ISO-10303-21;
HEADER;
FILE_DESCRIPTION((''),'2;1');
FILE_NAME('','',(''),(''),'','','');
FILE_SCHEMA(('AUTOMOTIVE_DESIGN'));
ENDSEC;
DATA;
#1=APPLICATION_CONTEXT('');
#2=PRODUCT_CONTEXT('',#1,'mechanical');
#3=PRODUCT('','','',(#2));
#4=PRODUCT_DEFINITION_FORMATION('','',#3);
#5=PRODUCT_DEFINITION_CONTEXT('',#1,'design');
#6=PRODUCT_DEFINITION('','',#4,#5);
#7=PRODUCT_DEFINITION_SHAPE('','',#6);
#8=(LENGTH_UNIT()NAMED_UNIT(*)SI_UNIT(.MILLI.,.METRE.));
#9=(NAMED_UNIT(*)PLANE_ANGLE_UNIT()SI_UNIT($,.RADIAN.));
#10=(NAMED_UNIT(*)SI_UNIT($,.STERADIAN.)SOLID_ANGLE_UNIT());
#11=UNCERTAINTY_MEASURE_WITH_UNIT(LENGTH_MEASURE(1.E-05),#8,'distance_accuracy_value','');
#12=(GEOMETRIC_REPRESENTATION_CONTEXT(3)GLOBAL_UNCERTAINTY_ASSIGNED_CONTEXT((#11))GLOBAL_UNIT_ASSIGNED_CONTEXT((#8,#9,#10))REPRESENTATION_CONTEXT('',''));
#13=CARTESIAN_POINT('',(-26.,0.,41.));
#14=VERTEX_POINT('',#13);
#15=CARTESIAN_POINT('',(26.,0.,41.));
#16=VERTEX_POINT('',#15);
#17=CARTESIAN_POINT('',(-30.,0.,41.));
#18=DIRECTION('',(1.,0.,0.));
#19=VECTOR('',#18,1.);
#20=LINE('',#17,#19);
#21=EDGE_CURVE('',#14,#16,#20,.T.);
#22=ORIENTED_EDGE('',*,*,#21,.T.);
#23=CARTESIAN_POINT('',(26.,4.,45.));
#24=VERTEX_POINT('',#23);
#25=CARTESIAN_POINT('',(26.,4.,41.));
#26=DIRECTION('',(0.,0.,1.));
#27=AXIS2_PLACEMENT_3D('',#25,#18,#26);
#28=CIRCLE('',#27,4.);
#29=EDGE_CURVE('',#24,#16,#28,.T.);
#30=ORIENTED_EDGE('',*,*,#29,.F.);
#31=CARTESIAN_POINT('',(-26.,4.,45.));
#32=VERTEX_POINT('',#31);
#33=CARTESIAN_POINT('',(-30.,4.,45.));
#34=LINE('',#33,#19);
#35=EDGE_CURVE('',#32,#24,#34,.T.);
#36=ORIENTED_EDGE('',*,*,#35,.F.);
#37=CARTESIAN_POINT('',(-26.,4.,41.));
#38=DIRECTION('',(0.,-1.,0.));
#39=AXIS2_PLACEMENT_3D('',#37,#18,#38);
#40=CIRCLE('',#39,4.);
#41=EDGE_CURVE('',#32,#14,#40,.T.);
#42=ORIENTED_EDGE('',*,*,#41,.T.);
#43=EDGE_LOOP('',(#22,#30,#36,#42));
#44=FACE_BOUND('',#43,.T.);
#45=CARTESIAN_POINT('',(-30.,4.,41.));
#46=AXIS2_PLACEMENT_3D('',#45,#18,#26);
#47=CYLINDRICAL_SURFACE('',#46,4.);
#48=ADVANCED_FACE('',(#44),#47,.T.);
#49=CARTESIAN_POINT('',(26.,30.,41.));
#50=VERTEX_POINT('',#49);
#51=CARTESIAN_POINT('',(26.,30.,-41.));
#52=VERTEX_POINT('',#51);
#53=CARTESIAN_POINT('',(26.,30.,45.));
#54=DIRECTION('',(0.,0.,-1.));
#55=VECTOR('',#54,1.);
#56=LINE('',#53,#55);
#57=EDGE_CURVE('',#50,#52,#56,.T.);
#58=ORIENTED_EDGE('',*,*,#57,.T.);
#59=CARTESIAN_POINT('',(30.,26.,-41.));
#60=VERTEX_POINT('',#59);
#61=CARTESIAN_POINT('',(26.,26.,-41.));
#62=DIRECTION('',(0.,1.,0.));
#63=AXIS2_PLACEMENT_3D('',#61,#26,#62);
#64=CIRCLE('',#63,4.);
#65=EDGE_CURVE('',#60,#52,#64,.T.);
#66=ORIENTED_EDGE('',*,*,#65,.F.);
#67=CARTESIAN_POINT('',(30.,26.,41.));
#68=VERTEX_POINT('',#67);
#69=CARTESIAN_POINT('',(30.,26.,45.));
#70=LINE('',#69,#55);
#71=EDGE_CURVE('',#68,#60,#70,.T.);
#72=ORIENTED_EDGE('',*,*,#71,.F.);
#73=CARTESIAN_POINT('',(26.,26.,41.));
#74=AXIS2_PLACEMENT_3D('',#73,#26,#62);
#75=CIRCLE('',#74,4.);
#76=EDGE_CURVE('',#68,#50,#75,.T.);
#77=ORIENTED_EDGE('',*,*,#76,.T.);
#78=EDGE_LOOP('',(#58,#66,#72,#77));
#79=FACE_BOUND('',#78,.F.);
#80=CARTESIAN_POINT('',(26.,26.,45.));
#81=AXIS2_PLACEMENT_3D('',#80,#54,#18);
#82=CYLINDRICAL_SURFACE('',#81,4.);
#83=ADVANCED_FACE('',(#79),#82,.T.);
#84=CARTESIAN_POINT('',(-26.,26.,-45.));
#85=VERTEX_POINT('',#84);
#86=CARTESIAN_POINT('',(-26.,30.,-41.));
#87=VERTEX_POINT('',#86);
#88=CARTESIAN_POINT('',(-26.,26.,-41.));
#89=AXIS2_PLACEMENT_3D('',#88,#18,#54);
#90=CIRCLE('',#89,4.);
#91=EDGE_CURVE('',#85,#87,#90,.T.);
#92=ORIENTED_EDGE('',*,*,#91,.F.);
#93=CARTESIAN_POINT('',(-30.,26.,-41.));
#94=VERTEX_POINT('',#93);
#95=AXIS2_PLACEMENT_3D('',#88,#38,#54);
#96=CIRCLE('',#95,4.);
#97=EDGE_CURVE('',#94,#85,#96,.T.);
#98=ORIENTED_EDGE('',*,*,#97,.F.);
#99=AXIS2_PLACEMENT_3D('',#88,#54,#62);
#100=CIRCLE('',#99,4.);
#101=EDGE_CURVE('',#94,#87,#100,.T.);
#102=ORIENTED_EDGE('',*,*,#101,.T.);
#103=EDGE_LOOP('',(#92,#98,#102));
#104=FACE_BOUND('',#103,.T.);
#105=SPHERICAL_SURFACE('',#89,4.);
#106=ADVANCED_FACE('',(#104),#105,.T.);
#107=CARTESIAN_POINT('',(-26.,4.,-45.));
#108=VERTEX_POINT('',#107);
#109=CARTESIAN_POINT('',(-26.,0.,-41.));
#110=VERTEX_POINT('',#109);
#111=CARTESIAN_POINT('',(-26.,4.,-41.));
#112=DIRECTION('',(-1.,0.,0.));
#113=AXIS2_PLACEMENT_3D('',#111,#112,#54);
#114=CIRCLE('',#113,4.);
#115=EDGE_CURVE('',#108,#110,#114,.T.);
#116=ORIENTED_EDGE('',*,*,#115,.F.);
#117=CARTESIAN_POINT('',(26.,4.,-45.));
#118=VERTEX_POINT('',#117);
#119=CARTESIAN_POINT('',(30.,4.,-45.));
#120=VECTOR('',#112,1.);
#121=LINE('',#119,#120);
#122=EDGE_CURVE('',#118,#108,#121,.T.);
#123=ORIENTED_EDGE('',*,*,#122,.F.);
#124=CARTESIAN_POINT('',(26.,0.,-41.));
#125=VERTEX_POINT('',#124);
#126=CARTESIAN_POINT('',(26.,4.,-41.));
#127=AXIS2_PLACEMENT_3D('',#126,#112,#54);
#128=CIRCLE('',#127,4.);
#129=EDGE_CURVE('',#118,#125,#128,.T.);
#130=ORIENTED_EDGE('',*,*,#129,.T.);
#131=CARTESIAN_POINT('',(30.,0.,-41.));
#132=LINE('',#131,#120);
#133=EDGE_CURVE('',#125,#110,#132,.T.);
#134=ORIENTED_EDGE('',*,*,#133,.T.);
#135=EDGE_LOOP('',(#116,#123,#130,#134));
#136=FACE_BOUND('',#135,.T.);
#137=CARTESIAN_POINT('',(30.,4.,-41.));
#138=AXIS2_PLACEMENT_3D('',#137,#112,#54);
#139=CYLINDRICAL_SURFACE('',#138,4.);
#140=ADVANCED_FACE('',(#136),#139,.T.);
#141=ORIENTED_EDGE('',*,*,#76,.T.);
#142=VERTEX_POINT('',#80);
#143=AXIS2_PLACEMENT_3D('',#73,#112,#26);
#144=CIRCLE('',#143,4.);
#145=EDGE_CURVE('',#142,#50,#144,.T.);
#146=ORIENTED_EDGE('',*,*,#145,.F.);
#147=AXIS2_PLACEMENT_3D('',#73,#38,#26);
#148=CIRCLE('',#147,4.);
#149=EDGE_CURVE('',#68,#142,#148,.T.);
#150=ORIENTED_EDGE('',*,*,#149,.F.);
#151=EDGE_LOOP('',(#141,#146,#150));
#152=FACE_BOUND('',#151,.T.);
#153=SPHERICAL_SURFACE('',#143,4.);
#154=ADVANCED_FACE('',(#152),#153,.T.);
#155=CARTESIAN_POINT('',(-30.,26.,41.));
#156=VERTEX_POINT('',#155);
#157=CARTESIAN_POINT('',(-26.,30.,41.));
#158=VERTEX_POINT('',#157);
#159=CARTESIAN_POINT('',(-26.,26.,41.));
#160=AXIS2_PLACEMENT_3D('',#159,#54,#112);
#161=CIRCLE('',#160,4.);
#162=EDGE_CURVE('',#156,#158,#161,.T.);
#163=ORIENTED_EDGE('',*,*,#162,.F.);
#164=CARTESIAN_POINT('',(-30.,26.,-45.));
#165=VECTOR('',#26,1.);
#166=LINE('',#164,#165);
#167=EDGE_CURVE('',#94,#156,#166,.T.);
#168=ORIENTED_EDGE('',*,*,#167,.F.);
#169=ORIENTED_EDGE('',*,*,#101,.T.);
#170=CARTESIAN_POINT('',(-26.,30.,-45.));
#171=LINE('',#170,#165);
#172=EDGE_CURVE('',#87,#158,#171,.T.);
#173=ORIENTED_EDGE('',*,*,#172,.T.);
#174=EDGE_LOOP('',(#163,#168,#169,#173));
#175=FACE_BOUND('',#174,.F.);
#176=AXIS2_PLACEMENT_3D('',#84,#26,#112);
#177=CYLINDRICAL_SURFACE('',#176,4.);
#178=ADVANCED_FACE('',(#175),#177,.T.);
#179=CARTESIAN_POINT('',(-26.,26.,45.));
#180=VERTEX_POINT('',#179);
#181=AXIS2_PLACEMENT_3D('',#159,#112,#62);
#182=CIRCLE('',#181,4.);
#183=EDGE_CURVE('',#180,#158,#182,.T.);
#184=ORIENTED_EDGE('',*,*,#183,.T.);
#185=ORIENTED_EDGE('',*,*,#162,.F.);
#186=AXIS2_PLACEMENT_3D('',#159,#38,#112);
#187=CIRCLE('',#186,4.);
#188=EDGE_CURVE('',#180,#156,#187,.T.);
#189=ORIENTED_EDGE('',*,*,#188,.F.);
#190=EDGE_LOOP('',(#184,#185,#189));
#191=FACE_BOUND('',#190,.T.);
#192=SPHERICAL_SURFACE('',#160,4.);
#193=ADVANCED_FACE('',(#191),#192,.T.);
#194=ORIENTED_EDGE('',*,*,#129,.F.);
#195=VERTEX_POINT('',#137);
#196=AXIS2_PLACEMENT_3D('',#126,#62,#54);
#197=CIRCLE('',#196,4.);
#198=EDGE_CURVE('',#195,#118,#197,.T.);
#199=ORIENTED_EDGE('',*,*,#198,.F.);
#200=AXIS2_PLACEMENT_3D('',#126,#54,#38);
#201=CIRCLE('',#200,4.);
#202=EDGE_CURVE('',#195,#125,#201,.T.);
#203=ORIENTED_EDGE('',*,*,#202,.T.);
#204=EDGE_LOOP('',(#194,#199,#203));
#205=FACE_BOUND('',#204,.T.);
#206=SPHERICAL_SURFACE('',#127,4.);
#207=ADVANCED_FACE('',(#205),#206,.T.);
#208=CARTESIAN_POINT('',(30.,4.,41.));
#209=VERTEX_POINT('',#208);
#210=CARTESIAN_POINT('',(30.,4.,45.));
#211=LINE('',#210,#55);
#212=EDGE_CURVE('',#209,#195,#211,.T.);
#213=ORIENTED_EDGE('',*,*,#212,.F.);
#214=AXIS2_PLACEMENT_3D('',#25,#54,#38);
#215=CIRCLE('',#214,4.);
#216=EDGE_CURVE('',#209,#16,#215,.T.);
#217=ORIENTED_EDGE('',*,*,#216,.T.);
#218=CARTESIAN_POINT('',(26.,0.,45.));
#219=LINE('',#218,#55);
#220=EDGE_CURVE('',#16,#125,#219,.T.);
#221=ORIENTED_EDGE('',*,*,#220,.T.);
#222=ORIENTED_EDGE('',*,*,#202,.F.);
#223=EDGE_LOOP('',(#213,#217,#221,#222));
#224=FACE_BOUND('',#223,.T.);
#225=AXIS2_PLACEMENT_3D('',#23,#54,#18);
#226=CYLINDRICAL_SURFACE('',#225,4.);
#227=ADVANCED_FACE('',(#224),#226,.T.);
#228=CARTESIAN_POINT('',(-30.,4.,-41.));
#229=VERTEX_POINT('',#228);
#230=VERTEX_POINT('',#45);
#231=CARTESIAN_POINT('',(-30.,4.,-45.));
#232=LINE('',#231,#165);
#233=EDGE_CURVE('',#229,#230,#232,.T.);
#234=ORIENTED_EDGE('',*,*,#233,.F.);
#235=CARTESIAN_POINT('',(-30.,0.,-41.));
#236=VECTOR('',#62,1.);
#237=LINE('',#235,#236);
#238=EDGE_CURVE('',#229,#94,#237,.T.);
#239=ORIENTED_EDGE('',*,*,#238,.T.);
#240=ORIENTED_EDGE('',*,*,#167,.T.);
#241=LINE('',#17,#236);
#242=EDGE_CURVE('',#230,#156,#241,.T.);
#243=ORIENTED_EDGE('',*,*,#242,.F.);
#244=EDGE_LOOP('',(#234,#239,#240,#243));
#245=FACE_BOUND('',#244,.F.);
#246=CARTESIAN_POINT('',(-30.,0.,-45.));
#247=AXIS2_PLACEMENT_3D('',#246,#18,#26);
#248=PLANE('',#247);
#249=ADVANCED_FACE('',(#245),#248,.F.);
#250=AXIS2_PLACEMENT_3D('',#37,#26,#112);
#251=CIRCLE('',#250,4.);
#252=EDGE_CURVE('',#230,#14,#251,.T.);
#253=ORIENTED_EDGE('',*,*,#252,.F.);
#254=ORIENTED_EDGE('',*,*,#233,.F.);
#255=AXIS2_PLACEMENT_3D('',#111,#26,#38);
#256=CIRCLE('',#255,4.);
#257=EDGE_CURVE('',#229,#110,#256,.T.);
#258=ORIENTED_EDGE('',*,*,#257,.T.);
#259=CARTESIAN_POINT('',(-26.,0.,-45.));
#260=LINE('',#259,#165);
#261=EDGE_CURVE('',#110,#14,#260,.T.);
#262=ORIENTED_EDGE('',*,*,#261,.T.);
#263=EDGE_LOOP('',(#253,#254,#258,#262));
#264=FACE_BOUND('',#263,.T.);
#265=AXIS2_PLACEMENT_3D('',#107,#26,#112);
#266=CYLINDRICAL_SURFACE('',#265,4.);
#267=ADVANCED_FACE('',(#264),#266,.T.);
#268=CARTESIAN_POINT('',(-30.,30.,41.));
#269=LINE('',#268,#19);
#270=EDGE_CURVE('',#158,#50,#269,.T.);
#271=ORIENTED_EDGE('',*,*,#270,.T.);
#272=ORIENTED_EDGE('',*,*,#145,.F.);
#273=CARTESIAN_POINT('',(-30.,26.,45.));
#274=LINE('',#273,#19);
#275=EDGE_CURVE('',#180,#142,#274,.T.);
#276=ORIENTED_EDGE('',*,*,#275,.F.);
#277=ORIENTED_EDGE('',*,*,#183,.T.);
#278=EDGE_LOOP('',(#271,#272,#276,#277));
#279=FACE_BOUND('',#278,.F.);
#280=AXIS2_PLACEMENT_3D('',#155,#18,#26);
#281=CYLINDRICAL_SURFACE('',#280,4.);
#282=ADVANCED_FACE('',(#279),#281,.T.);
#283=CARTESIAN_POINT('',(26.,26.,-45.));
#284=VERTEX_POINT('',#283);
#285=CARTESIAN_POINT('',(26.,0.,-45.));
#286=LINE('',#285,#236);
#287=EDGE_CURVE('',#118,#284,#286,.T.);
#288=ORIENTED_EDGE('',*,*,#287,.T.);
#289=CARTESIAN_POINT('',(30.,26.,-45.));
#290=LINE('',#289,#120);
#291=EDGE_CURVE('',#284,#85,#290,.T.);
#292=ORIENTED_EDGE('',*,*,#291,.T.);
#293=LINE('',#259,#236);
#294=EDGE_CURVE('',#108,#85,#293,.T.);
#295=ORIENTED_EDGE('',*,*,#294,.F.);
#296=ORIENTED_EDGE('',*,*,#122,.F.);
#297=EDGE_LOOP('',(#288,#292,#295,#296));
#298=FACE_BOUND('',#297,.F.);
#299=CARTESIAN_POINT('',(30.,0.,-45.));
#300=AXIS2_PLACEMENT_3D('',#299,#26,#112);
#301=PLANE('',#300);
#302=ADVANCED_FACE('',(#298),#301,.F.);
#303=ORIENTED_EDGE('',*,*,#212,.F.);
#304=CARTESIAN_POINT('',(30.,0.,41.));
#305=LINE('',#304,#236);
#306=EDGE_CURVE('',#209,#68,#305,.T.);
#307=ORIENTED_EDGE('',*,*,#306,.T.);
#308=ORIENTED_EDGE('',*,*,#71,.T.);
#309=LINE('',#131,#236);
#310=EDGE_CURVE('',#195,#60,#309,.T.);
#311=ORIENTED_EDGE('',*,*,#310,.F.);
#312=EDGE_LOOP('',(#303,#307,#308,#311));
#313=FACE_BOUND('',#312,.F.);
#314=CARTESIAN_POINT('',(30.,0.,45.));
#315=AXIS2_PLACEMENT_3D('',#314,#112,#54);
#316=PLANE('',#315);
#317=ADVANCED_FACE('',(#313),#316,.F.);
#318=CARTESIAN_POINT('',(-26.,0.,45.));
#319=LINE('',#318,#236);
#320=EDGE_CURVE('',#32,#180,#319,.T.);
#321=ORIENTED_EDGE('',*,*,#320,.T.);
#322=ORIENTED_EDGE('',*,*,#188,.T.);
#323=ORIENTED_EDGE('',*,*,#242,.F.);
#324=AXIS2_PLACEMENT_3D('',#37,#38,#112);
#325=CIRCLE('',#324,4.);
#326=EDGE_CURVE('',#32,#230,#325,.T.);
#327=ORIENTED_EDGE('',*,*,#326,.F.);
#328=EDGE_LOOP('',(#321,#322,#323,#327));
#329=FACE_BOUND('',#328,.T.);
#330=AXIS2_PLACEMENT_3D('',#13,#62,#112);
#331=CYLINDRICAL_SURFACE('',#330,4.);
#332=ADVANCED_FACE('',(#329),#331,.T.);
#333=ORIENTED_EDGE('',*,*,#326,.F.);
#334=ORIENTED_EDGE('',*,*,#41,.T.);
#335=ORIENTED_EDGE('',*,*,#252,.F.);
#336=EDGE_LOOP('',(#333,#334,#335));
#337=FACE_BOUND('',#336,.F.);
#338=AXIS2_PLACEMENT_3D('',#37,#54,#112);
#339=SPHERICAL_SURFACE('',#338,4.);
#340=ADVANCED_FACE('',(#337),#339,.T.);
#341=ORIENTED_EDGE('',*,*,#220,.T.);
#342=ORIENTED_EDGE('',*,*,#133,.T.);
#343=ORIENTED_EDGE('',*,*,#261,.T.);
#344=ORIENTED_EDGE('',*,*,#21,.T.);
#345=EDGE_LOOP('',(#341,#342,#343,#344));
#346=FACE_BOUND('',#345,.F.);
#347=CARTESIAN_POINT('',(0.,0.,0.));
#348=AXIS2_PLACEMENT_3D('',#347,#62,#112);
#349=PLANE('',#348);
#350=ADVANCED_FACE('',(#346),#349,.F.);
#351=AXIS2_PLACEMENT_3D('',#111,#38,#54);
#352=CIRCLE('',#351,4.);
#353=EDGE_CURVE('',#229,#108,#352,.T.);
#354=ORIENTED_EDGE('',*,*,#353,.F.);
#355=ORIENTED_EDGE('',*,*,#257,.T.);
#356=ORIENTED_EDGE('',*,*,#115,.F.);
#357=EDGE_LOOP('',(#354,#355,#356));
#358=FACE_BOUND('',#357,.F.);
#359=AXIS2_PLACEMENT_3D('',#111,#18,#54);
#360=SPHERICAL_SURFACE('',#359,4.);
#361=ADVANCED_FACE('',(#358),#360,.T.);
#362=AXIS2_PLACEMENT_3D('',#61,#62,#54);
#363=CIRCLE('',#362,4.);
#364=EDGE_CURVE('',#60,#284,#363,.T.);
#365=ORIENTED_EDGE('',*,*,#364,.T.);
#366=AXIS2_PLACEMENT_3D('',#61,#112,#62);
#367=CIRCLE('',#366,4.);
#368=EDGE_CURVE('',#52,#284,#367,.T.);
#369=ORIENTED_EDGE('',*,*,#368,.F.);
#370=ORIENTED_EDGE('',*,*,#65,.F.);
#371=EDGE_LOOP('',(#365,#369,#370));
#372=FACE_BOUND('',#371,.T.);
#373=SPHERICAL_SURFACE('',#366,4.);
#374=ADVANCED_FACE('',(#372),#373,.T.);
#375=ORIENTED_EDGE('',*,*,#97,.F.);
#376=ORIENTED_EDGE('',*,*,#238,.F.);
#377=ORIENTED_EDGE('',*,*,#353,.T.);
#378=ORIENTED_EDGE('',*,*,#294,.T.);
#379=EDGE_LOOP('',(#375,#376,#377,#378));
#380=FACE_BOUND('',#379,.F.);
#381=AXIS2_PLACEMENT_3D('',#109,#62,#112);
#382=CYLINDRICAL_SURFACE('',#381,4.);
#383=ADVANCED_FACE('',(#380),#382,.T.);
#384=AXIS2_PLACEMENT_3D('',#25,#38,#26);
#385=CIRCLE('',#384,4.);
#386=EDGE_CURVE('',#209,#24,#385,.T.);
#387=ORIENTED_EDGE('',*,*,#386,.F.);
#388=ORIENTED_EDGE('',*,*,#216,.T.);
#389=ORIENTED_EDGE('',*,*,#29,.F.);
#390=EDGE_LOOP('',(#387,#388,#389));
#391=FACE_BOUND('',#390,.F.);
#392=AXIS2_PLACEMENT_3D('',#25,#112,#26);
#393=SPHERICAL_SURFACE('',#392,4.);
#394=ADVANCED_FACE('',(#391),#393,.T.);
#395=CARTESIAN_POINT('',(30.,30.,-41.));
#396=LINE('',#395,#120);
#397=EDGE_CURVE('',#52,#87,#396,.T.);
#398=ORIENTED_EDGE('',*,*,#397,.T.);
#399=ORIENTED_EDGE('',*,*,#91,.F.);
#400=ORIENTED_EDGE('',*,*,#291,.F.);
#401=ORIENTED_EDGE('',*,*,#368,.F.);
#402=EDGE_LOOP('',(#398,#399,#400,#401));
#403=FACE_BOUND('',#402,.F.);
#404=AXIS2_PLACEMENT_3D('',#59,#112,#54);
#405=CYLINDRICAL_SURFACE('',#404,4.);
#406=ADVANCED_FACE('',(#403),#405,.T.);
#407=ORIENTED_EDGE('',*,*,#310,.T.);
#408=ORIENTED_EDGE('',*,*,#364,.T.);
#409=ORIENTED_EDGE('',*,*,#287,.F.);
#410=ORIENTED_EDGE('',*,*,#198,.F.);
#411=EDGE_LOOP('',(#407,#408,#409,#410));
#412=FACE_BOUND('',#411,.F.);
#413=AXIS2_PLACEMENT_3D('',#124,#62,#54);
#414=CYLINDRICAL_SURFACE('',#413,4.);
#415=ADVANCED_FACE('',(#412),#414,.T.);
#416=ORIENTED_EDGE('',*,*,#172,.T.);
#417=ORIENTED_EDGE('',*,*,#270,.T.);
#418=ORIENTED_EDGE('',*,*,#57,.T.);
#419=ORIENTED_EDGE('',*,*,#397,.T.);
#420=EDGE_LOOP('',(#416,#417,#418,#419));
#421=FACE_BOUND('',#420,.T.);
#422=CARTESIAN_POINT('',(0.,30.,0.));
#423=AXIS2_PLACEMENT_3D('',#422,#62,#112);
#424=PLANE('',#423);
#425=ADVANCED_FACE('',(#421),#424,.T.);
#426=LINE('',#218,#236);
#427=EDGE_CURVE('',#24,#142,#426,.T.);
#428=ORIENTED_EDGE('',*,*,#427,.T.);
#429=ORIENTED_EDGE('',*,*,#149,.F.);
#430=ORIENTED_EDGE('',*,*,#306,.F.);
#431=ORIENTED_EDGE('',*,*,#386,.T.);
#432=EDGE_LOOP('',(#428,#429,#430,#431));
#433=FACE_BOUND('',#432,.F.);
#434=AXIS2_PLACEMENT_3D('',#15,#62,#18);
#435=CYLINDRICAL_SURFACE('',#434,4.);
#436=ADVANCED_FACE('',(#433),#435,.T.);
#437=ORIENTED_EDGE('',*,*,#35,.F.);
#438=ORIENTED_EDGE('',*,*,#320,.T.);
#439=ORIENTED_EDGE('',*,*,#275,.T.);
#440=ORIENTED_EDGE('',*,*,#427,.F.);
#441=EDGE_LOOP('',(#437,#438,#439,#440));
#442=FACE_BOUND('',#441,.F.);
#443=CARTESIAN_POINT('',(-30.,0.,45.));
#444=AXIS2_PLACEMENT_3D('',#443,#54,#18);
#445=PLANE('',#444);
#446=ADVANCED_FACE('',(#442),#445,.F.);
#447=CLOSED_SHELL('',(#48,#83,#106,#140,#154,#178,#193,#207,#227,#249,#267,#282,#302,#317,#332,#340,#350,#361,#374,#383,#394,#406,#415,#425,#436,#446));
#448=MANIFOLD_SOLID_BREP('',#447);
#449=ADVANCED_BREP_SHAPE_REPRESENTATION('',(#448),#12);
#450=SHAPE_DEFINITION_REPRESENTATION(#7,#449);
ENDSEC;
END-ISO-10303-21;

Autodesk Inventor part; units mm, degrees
ref_plane "YZ Plane" through (0, 0, 0) normal (1, 0, 0) x (0, 1, 0)
ref_plane "XZ Plane" through (0, 0, 0) normal (0, 1, 0) x (-1, 0, 0)
ref_plane "XY Plane" through (0, 0, 0) normal (0, 0, 1) x (1, 0, 0)
sketch "Sketch1" plane through (0, 0, 0) normal (0, 1, 0) x (-1, 0, 0)
  line L0 (30, 45) -> (-30, 45)
  line L1 (-30, 45) -> (-30, -45)
  line L2 (-30, -45) -> (30, -45)
  line L3 (30, -45) -> (30, 45)
  line L4 (30, 45) -> (-30, -45) construction
  line L5 (-30, 45) -> (30, -45) construction
  point P0 (0, 0)
  dimension "d0" = 60
  dimension "d1" = 90
extrude "Extrusion1" add sketch "Sketch1" along normal blind 30
fillet "Fillet1" radius 4 12 edges at (0, 30, -45) (0, 0, -45) (-30, 15, -45) (-30, 30, 0) (-30, 0, 0) (-30, 15, 45) (0, 30, 45) (0, 0, 45) (30, 15, 45) (30, 30, 0) (30, 15, -45) (30, 0, 0)
properties part number "RBPI" material "Acetal Resin, Black"
